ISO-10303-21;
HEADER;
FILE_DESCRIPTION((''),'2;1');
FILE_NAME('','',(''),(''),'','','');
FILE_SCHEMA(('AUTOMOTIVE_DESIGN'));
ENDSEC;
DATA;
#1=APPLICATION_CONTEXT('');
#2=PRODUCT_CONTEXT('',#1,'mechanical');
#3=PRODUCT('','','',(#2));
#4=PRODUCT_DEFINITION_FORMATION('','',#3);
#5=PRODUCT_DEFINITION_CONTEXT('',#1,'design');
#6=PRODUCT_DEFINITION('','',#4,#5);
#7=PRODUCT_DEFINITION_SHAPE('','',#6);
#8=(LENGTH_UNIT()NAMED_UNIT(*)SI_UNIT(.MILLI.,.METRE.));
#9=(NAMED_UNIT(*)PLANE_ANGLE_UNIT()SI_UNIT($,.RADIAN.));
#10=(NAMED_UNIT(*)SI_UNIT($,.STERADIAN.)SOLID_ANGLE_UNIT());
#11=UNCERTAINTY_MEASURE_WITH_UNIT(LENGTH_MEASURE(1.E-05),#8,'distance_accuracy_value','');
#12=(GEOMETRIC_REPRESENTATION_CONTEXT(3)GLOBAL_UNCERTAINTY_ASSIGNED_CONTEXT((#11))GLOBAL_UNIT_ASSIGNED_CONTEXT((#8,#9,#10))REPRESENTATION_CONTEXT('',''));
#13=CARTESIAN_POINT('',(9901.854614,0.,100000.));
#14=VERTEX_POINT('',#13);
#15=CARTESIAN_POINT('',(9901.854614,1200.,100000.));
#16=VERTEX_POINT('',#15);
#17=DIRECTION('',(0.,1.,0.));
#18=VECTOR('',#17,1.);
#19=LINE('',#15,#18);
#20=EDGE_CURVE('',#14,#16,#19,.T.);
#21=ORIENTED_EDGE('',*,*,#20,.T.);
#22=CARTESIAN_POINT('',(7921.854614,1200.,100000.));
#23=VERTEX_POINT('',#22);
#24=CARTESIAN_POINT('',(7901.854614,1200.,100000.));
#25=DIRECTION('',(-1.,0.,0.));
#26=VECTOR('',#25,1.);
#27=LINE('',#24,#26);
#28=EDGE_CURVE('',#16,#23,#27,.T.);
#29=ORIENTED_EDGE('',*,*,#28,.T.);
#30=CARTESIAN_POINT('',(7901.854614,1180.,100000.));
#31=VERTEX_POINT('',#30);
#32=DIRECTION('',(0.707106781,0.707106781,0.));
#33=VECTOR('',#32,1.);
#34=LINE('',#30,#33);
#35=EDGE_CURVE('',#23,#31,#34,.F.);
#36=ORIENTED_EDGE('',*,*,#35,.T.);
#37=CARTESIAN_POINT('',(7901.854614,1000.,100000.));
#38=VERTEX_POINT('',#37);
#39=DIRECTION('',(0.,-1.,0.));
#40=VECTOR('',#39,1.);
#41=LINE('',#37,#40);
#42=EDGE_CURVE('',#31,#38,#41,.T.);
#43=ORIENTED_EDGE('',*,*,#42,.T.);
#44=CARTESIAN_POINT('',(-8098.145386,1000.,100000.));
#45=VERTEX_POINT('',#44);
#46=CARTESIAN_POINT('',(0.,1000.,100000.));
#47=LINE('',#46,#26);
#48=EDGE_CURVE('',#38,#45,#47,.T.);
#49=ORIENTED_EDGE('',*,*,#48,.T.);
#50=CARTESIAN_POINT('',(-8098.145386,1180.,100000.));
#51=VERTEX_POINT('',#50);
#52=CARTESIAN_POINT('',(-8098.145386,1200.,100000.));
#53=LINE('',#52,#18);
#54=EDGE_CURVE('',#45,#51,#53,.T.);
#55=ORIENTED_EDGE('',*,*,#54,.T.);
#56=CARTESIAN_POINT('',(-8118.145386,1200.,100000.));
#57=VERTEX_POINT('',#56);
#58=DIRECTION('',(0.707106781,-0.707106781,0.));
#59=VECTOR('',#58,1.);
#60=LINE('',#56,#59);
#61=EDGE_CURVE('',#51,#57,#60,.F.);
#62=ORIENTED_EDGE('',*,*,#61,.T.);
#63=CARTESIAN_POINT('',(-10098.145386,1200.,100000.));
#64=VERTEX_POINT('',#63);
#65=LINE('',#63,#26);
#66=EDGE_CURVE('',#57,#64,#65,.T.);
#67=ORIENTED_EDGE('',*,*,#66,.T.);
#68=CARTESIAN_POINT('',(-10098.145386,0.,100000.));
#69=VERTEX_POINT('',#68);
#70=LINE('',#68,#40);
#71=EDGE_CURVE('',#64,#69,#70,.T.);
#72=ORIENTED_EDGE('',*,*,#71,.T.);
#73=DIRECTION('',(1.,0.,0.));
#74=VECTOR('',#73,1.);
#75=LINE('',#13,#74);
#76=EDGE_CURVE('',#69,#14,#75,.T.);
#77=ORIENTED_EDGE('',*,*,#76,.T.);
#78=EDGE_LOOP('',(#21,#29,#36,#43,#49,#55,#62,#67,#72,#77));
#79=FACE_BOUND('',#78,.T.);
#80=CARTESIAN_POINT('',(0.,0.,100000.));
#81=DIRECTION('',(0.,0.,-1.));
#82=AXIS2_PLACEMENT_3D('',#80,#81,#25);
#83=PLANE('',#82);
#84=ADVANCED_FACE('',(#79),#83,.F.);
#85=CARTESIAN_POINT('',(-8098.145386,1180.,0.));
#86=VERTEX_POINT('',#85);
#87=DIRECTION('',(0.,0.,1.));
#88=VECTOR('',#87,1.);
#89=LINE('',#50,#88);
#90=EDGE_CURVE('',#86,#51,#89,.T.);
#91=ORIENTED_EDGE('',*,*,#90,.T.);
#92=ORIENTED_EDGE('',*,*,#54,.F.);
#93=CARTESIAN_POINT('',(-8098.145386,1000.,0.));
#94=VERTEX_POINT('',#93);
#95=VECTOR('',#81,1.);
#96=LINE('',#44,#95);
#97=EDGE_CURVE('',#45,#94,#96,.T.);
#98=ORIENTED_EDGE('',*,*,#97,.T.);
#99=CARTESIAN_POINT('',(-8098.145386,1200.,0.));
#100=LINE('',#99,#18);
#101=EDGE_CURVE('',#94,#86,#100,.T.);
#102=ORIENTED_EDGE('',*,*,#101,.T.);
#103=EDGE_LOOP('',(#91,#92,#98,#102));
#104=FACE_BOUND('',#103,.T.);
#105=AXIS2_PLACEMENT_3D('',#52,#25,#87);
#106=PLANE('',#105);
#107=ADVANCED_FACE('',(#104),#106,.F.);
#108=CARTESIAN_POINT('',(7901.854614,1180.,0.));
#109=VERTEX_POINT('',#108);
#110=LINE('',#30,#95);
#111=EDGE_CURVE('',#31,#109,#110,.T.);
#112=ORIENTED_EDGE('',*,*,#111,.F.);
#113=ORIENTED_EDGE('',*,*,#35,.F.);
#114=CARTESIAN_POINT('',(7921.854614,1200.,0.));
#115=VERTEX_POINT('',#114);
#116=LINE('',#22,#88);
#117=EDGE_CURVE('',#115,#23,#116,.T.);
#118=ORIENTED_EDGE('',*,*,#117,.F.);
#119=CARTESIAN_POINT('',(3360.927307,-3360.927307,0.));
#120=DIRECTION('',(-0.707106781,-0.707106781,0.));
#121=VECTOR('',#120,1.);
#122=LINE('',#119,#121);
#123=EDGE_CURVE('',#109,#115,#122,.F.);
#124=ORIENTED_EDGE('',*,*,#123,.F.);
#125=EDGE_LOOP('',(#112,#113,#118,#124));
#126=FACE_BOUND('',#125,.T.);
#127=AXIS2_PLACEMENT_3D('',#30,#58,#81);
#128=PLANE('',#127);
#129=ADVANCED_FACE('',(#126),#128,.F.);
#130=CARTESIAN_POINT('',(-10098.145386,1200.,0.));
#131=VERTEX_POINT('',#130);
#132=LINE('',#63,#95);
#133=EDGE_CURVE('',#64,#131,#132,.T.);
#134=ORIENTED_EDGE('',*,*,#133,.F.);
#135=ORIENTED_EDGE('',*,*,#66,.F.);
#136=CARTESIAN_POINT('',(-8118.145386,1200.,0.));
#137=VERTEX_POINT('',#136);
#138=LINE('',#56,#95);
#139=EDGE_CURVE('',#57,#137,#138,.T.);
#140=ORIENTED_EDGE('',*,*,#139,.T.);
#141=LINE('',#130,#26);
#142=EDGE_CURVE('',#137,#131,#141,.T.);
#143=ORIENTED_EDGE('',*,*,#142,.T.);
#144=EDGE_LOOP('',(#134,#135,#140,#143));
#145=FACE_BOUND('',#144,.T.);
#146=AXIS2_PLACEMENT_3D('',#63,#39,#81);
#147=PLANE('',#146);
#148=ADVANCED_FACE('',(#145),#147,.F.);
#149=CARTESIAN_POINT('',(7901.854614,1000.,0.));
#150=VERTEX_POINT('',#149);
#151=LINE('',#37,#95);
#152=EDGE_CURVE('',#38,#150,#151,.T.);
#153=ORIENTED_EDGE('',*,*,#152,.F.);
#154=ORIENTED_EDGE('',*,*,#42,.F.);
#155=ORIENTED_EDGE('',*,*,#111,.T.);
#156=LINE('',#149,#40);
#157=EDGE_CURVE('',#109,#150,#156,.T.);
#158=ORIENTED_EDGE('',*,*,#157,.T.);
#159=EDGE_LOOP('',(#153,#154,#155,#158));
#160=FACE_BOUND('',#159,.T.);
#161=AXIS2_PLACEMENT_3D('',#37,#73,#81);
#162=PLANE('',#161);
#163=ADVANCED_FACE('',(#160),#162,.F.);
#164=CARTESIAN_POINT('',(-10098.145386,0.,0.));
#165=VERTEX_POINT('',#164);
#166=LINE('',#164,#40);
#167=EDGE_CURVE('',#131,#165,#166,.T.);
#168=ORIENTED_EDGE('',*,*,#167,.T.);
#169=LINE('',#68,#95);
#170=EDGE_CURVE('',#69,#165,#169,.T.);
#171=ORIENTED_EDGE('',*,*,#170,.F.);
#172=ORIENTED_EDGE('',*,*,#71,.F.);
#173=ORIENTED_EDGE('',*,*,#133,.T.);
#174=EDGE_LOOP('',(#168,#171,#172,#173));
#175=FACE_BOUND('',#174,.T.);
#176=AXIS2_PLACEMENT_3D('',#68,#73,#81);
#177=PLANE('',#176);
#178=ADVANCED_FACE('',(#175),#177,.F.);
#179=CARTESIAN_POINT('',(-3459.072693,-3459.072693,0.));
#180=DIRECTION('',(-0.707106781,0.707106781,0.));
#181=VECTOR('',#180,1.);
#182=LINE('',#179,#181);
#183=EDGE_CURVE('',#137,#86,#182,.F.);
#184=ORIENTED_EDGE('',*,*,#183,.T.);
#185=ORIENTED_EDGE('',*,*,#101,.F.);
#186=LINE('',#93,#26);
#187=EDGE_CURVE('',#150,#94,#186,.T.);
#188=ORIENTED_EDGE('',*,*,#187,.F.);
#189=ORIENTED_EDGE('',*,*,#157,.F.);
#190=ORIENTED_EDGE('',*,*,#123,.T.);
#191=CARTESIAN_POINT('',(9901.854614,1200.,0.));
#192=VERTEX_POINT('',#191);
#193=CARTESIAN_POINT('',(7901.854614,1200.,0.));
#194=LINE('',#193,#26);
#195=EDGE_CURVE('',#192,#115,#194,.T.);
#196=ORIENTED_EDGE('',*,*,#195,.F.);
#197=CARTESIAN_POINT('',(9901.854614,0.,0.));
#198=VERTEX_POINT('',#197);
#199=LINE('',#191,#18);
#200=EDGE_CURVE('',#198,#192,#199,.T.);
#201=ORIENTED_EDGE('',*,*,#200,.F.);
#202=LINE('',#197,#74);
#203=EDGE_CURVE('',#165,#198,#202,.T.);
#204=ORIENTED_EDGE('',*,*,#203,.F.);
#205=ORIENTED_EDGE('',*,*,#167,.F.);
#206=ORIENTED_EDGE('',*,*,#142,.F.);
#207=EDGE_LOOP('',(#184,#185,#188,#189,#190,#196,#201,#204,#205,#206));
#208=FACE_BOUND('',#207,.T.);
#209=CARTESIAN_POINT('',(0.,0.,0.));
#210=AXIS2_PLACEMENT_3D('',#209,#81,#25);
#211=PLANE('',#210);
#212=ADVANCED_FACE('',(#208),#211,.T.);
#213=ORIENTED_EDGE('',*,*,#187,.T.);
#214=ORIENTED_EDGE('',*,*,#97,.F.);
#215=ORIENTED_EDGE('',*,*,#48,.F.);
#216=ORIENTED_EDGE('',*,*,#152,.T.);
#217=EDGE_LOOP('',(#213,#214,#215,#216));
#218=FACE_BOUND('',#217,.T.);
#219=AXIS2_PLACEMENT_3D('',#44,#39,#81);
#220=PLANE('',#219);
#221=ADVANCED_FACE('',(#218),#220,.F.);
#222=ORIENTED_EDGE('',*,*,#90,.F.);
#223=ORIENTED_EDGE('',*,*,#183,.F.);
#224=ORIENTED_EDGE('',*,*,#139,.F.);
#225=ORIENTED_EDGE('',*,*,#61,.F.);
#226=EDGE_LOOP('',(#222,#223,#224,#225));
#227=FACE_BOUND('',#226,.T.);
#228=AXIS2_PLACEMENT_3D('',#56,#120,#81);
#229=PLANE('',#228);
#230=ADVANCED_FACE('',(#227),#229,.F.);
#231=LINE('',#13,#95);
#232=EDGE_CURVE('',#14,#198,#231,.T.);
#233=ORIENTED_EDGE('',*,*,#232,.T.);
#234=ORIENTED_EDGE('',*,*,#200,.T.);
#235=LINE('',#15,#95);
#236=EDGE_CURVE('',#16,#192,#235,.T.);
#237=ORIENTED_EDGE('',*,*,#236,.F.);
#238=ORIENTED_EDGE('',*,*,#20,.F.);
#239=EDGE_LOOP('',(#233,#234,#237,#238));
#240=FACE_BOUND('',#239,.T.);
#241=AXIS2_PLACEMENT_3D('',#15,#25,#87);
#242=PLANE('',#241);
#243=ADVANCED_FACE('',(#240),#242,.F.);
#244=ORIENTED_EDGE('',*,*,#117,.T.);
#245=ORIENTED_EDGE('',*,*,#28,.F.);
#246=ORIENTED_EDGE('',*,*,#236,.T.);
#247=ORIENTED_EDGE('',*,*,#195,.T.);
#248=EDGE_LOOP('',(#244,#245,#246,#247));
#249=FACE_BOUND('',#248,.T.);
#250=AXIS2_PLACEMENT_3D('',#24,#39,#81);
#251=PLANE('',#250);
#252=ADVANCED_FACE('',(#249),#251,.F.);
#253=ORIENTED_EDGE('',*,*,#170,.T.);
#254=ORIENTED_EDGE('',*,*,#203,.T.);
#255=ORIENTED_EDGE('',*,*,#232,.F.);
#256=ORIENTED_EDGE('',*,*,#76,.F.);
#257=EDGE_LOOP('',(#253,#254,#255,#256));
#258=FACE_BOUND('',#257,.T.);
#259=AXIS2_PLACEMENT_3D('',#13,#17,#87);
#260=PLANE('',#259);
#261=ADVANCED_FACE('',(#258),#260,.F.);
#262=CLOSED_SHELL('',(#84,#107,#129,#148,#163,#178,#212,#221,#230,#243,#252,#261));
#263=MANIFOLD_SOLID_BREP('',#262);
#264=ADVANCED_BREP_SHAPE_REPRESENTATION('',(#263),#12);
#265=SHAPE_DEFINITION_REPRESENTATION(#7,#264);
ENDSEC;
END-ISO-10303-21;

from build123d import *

# Parameters (mm, degrees)
BOSS_EXTRU_1_DEPTH = 100000
CHANFREIN1_SIZE    = 20
CHANFREIN2_SIZE    = 20


with BuildPart() as part:
    # Esquisse1 → Boss.-Extru.1 (new body)
    with BuildSketch(Plane.XY):
        Polygon((-10098.145385544, 0), (-10098.145385544, 1200), (-8098.145385544, 1200), (-8098.145385544, 1000), (0, 1000), (7901.854614456, 1000), (7901.854614456, 1200), (9901.854614456, 1200), (9901.854614456, 0), align=None)
    extrude(amount=BOSS_EXTRU_1_DEPTH)

    # Chanfrein1
    chanfrein1_edges = [part.edges().sort_by_distance(p)[0] for p in [
        (-8098.145385544, 1200, 50000),
    ]]
    chamfer(chanfrein1_edges, length=CHANFREIN1_SIZE)

    # Chanfrein2
    chanfrein2_edges = [part.edges().sort_by_distance(p)[0] for p in [
        (7901.854614456, 1200, 50000),
    ]]
    chamfer(chanfrein2_edges, length=CHANFREIN2_SIZE)


solid = part.part
